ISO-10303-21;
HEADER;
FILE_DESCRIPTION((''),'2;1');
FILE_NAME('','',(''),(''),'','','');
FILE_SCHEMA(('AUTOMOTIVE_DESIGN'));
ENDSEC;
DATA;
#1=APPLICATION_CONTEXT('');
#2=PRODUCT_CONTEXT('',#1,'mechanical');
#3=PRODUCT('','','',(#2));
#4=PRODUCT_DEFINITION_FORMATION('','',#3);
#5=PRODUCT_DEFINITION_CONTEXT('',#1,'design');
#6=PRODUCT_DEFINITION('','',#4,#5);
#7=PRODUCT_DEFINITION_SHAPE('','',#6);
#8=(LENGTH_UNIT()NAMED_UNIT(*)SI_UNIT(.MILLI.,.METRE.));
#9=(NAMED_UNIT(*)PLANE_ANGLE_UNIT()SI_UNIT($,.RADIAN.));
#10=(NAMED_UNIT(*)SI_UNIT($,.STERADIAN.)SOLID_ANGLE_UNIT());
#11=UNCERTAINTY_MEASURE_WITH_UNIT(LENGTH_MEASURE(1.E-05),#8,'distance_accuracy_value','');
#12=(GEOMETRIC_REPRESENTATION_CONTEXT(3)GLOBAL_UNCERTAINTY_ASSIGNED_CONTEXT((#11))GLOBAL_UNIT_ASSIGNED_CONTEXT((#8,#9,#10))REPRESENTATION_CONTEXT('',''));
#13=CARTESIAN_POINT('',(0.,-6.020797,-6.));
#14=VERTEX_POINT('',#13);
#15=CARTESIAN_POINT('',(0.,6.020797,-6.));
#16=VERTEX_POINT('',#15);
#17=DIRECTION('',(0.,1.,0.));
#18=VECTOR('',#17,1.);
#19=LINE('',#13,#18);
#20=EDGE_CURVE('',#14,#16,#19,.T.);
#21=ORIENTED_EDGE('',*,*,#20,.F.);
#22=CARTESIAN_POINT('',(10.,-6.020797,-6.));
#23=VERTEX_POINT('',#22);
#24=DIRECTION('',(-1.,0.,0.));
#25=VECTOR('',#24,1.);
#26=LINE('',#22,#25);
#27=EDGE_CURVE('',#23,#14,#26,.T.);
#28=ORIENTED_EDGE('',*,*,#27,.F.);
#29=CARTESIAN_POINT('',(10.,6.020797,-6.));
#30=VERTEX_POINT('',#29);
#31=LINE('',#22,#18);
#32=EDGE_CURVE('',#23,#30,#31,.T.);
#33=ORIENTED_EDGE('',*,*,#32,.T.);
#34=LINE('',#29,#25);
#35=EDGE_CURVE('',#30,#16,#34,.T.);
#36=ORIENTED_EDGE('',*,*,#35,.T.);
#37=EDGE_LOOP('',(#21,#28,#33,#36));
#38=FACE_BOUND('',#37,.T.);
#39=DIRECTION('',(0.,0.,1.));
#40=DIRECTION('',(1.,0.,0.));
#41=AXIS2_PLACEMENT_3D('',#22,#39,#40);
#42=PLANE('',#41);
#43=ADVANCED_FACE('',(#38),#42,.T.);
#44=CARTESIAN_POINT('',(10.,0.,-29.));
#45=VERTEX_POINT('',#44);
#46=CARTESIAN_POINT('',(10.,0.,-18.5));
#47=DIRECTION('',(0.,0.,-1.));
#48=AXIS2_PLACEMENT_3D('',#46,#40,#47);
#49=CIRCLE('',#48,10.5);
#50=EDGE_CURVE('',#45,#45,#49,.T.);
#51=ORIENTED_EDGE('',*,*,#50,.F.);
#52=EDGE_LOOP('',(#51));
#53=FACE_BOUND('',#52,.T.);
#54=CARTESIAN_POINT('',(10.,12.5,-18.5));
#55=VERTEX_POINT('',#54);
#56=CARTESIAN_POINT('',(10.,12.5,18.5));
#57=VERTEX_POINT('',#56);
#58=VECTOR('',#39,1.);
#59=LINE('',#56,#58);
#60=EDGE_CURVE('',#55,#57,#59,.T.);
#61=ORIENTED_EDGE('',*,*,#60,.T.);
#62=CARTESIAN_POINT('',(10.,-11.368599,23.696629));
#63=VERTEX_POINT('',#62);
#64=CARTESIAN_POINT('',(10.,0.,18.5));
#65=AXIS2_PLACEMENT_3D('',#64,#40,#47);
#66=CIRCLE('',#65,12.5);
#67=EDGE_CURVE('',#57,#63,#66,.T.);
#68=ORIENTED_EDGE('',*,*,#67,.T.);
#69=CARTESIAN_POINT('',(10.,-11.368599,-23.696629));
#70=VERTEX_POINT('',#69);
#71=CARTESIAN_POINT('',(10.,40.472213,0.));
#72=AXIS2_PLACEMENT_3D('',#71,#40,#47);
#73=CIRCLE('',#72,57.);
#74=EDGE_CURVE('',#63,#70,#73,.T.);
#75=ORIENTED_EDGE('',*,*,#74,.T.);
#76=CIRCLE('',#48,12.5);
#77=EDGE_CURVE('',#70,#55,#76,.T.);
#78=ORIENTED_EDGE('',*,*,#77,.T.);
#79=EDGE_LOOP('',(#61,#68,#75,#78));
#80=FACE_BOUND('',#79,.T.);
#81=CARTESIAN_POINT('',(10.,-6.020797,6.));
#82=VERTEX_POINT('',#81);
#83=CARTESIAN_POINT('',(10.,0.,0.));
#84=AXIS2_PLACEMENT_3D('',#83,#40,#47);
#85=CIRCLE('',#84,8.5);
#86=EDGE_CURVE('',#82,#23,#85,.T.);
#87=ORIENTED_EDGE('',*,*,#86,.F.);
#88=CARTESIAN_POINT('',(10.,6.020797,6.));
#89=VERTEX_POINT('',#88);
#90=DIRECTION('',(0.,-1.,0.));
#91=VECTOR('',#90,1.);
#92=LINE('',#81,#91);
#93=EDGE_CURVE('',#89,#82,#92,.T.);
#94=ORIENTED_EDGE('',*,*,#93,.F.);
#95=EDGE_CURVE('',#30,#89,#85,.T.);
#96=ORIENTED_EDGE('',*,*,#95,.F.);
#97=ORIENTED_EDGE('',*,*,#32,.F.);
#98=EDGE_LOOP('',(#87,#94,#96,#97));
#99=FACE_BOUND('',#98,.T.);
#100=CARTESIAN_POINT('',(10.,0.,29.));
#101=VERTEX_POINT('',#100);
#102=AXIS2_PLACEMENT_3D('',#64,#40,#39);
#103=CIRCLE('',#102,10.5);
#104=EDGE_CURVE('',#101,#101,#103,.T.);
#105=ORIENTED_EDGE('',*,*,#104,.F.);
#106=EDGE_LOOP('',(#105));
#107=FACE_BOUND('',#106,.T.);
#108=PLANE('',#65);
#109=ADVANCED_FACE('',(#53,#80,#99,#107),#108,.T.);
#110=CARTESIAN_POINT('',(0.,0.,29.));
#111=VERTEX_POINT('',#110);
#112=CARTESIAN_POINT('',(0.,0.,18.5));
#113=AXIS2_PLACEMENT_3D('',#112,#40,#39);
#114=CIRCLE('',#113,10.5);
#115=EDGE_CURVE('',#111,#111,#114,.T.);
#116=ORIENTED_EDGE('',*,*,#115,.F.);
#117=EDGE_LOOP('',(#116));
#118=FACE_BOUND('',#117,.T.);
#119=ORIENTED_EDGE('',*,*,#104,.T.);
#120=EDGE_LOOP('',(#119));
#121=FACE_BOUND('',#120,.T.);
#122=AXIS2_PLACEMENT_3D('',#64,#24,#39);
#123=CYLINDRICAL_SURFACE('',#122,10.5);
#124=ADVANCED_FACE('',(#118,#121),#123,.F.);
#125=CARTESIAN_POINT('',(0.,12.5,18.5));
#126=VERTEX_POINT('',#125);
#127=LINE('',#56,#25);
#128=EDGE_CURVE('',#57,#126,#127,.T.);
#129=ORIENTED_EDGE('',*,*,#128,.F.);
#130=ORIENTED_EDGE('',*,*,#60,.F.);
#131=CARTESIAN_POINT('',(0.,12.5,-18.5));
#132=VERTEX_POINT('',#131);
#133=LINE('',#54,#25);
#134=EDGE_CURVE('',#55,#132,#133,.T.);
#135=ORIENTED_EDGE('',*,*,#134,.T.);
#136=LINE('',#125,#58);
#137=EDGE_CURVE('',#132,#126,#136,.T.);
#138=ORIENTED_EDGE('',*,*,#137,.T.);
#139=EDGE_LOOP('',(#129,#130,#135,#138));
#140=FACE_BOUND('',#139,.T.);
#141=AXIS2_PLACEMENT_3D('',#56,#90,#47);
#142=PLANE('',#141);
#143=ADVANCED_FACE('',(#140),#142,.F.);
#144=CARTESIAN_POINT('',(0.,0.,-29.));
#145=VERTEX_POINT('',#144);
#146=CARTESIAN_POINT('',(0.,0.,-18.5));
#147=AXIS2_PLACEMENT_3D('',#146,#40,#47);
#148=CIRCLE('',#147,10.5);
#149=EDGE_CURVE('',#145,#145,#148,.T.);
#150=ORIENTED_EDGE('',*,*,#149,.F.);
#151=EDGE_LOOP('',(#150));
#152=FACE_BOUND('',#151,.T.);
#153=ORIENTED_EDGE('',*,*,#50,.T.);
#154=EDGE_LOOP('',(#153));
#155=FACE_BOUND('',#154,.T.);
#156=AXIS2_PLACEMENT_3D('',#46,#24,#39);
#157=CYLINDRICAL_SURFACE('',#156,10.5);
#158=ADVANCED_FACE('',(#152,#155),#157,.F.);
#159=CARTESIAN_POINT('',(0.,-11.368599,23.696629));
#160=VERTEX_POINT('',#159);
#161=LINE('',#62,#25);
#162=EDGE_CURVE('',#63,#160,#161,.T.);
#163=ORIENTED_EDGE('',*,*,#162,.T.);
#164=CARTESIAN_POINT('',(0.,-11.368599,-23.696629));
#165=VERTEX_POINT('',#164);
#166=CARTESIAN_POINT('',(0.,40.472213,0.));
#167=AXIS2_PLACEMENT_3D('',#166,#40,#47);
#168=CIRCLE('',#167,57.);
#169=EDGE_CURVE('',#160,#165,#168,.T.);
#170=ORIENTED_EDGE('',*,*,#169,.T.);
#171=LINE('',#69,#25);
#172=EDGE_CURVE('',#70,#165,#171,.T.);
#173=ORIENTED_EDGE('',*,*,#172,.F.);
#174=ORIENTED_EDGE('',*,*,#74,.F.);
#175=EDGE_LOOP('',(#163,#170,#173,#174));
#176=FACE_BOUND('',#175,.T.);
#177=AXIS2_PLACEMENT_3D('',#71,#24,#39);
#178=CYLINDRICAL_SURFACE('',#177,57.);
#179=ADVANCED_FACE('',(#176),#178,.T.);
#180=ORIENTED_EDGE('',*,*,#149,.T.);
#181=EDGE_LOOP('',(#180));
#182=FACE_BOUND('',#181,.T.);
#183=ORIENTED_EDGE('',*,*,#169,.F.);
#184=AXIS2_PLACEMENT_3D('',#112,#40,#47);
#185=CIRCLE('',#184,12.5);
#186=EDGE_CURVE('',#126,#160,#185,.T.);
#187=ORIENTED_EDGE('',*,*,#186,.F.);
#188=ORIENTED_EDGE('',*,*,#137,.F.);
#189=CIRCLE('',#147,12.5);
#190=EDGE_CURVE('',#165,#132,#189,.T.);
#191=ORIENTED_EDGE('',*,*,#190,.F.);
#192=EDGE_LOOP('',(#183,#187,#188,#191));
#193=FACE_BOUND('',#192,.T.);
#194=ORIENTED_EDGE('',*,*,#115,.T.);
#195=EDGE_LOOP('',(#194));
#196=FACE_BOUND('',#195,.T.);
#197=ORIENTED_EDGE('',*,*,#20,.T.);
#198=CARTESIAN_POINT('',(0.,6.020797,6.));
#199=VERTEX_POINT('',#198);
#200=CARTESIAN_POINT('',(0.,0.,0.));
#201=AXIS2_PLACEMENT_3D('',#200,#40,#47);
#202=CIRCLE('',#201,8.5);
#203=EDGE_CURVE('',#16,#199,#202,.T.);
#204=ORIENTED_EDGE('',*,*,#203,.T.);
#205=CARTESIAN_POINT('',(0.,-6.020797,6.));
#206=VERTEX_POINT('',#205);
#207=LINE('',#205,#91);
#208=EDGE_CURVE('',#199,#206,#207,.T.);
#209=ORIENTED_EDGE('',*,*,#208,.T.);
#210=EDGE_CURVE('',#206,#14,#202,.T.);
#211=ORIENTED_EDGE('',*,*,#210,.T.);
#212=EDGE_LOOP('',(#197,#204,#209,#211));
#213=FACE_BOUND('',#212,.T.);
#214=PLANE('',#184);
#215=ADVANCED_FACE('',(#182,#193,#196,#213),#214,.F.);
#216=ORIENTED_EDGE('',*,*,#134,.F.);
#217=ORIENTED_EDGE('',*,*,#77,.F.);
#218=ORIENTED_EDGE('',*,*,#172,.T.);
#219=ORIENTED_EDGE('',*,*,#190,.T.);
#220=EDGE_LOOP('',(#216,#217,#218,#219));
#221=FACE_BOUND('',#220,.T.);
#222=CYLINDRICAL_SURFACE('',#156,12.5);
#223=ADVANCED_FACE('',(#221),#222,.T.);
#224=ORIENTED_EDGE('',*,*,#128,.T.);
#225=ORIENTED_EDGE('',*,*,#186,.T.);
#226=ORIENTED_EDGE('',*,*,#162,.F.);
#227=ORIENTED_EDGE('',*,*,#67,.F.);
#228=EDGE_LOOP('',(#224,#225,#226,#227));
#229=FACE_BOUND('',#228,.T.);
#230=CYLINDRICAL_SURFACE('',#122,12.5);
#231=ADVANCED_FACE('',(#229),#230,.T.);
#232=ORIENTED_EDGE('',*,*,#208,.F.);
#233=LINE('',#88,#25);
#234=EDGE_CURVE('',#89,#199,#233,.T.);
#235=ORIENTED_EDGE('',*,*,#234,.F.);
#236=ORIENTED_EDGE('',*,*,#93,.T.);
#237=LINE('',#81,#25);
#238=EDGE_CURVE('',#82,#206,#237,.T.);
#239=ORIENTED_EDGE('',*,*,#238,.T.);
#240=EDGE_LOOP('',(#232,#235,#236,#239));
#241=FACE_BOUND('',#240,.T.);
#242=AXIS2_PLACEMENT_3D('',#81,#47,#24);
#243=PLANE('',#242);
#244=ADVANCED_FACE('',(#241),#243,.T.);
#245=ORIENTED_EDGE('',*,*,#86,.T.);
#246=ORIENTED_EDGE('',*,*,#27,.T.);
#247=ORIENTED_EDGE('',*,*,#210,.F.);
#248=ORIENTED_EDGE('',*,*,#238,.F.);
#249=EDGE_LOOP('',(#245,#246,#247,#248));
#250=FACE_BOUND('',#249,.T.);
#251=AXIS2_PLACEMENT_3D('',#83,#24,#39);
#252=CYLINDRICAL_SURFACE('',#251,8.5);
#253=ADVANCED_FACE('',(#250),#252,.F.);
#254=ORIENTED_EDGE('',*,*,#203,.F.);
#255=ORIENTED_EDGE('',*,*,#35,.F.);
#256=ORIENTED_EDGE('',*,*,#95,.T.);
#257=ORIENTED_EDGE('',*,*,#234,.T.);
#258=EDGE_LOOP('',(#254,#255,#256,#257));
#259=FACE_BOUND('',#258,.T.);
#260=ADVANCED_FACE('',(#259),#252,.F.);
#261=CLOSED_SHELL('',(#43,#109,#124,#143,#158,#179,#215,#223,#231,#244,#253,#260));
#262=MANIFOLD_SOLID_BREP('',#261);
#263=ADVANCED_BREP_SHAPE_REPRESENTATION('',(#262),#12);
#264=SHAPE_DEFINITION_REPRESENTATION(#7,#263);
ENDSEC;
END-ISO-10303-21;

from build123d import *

# Parameters (mm, degrees)
CROQUIS1_R              = 10.5
SALIENTE_EXTRUIR1_DEPTH = 10


with BuildPart() as part:
    # Croquis1 → Saliente-Extruir1 (new body)
    with BuildSketch(Plane(origin=(0, 0, 0), x_dir=(0, 0, -1), z_dir=(1, 0, 0))):
        with BuildLine():
            Line((-18.5, 12.5), (18.5, 12.5))
            ThreePointArc((18.5, 12.5), (30.713875068, 2.659183298), (23.696629213, -11.36859907))
            ThreePointArc((23.696629213, -11.36859907), (0, -16.52778731), (-23.696629213, -11.36859907))
            ThreePointArc((-23.696629213, -11.36859907), (-30.713875068, 2.659183298), (-18.5, 12.5))
        make_face()
        with Locations((18.5, 0)):
            Circle(CROQUIS1_R, mode=Mode.SUBTRACT)
        with Locations((-18.5, 0)):
            Circle(CROQUIS1_R, mode=Mode.SUBTRACT)
        with BuildLine():
            Line((-6, -6.020797289), (-6, 6.020797289))
            ThreePointArc((-6, 6.020797289), (0, 8.5), (6, 6.020797289))
            Line((6, 6.020797289), (6, -6.020797289))
            ThreePointArc((6, -6.020797289), (0, -8.5), (-6, -6.020797289))
        make_face(mode=Mode.SUBTRACT)
    extrude(amount=SALIENTE_EXTRUIR1_DEPTH)


solid = part.part
